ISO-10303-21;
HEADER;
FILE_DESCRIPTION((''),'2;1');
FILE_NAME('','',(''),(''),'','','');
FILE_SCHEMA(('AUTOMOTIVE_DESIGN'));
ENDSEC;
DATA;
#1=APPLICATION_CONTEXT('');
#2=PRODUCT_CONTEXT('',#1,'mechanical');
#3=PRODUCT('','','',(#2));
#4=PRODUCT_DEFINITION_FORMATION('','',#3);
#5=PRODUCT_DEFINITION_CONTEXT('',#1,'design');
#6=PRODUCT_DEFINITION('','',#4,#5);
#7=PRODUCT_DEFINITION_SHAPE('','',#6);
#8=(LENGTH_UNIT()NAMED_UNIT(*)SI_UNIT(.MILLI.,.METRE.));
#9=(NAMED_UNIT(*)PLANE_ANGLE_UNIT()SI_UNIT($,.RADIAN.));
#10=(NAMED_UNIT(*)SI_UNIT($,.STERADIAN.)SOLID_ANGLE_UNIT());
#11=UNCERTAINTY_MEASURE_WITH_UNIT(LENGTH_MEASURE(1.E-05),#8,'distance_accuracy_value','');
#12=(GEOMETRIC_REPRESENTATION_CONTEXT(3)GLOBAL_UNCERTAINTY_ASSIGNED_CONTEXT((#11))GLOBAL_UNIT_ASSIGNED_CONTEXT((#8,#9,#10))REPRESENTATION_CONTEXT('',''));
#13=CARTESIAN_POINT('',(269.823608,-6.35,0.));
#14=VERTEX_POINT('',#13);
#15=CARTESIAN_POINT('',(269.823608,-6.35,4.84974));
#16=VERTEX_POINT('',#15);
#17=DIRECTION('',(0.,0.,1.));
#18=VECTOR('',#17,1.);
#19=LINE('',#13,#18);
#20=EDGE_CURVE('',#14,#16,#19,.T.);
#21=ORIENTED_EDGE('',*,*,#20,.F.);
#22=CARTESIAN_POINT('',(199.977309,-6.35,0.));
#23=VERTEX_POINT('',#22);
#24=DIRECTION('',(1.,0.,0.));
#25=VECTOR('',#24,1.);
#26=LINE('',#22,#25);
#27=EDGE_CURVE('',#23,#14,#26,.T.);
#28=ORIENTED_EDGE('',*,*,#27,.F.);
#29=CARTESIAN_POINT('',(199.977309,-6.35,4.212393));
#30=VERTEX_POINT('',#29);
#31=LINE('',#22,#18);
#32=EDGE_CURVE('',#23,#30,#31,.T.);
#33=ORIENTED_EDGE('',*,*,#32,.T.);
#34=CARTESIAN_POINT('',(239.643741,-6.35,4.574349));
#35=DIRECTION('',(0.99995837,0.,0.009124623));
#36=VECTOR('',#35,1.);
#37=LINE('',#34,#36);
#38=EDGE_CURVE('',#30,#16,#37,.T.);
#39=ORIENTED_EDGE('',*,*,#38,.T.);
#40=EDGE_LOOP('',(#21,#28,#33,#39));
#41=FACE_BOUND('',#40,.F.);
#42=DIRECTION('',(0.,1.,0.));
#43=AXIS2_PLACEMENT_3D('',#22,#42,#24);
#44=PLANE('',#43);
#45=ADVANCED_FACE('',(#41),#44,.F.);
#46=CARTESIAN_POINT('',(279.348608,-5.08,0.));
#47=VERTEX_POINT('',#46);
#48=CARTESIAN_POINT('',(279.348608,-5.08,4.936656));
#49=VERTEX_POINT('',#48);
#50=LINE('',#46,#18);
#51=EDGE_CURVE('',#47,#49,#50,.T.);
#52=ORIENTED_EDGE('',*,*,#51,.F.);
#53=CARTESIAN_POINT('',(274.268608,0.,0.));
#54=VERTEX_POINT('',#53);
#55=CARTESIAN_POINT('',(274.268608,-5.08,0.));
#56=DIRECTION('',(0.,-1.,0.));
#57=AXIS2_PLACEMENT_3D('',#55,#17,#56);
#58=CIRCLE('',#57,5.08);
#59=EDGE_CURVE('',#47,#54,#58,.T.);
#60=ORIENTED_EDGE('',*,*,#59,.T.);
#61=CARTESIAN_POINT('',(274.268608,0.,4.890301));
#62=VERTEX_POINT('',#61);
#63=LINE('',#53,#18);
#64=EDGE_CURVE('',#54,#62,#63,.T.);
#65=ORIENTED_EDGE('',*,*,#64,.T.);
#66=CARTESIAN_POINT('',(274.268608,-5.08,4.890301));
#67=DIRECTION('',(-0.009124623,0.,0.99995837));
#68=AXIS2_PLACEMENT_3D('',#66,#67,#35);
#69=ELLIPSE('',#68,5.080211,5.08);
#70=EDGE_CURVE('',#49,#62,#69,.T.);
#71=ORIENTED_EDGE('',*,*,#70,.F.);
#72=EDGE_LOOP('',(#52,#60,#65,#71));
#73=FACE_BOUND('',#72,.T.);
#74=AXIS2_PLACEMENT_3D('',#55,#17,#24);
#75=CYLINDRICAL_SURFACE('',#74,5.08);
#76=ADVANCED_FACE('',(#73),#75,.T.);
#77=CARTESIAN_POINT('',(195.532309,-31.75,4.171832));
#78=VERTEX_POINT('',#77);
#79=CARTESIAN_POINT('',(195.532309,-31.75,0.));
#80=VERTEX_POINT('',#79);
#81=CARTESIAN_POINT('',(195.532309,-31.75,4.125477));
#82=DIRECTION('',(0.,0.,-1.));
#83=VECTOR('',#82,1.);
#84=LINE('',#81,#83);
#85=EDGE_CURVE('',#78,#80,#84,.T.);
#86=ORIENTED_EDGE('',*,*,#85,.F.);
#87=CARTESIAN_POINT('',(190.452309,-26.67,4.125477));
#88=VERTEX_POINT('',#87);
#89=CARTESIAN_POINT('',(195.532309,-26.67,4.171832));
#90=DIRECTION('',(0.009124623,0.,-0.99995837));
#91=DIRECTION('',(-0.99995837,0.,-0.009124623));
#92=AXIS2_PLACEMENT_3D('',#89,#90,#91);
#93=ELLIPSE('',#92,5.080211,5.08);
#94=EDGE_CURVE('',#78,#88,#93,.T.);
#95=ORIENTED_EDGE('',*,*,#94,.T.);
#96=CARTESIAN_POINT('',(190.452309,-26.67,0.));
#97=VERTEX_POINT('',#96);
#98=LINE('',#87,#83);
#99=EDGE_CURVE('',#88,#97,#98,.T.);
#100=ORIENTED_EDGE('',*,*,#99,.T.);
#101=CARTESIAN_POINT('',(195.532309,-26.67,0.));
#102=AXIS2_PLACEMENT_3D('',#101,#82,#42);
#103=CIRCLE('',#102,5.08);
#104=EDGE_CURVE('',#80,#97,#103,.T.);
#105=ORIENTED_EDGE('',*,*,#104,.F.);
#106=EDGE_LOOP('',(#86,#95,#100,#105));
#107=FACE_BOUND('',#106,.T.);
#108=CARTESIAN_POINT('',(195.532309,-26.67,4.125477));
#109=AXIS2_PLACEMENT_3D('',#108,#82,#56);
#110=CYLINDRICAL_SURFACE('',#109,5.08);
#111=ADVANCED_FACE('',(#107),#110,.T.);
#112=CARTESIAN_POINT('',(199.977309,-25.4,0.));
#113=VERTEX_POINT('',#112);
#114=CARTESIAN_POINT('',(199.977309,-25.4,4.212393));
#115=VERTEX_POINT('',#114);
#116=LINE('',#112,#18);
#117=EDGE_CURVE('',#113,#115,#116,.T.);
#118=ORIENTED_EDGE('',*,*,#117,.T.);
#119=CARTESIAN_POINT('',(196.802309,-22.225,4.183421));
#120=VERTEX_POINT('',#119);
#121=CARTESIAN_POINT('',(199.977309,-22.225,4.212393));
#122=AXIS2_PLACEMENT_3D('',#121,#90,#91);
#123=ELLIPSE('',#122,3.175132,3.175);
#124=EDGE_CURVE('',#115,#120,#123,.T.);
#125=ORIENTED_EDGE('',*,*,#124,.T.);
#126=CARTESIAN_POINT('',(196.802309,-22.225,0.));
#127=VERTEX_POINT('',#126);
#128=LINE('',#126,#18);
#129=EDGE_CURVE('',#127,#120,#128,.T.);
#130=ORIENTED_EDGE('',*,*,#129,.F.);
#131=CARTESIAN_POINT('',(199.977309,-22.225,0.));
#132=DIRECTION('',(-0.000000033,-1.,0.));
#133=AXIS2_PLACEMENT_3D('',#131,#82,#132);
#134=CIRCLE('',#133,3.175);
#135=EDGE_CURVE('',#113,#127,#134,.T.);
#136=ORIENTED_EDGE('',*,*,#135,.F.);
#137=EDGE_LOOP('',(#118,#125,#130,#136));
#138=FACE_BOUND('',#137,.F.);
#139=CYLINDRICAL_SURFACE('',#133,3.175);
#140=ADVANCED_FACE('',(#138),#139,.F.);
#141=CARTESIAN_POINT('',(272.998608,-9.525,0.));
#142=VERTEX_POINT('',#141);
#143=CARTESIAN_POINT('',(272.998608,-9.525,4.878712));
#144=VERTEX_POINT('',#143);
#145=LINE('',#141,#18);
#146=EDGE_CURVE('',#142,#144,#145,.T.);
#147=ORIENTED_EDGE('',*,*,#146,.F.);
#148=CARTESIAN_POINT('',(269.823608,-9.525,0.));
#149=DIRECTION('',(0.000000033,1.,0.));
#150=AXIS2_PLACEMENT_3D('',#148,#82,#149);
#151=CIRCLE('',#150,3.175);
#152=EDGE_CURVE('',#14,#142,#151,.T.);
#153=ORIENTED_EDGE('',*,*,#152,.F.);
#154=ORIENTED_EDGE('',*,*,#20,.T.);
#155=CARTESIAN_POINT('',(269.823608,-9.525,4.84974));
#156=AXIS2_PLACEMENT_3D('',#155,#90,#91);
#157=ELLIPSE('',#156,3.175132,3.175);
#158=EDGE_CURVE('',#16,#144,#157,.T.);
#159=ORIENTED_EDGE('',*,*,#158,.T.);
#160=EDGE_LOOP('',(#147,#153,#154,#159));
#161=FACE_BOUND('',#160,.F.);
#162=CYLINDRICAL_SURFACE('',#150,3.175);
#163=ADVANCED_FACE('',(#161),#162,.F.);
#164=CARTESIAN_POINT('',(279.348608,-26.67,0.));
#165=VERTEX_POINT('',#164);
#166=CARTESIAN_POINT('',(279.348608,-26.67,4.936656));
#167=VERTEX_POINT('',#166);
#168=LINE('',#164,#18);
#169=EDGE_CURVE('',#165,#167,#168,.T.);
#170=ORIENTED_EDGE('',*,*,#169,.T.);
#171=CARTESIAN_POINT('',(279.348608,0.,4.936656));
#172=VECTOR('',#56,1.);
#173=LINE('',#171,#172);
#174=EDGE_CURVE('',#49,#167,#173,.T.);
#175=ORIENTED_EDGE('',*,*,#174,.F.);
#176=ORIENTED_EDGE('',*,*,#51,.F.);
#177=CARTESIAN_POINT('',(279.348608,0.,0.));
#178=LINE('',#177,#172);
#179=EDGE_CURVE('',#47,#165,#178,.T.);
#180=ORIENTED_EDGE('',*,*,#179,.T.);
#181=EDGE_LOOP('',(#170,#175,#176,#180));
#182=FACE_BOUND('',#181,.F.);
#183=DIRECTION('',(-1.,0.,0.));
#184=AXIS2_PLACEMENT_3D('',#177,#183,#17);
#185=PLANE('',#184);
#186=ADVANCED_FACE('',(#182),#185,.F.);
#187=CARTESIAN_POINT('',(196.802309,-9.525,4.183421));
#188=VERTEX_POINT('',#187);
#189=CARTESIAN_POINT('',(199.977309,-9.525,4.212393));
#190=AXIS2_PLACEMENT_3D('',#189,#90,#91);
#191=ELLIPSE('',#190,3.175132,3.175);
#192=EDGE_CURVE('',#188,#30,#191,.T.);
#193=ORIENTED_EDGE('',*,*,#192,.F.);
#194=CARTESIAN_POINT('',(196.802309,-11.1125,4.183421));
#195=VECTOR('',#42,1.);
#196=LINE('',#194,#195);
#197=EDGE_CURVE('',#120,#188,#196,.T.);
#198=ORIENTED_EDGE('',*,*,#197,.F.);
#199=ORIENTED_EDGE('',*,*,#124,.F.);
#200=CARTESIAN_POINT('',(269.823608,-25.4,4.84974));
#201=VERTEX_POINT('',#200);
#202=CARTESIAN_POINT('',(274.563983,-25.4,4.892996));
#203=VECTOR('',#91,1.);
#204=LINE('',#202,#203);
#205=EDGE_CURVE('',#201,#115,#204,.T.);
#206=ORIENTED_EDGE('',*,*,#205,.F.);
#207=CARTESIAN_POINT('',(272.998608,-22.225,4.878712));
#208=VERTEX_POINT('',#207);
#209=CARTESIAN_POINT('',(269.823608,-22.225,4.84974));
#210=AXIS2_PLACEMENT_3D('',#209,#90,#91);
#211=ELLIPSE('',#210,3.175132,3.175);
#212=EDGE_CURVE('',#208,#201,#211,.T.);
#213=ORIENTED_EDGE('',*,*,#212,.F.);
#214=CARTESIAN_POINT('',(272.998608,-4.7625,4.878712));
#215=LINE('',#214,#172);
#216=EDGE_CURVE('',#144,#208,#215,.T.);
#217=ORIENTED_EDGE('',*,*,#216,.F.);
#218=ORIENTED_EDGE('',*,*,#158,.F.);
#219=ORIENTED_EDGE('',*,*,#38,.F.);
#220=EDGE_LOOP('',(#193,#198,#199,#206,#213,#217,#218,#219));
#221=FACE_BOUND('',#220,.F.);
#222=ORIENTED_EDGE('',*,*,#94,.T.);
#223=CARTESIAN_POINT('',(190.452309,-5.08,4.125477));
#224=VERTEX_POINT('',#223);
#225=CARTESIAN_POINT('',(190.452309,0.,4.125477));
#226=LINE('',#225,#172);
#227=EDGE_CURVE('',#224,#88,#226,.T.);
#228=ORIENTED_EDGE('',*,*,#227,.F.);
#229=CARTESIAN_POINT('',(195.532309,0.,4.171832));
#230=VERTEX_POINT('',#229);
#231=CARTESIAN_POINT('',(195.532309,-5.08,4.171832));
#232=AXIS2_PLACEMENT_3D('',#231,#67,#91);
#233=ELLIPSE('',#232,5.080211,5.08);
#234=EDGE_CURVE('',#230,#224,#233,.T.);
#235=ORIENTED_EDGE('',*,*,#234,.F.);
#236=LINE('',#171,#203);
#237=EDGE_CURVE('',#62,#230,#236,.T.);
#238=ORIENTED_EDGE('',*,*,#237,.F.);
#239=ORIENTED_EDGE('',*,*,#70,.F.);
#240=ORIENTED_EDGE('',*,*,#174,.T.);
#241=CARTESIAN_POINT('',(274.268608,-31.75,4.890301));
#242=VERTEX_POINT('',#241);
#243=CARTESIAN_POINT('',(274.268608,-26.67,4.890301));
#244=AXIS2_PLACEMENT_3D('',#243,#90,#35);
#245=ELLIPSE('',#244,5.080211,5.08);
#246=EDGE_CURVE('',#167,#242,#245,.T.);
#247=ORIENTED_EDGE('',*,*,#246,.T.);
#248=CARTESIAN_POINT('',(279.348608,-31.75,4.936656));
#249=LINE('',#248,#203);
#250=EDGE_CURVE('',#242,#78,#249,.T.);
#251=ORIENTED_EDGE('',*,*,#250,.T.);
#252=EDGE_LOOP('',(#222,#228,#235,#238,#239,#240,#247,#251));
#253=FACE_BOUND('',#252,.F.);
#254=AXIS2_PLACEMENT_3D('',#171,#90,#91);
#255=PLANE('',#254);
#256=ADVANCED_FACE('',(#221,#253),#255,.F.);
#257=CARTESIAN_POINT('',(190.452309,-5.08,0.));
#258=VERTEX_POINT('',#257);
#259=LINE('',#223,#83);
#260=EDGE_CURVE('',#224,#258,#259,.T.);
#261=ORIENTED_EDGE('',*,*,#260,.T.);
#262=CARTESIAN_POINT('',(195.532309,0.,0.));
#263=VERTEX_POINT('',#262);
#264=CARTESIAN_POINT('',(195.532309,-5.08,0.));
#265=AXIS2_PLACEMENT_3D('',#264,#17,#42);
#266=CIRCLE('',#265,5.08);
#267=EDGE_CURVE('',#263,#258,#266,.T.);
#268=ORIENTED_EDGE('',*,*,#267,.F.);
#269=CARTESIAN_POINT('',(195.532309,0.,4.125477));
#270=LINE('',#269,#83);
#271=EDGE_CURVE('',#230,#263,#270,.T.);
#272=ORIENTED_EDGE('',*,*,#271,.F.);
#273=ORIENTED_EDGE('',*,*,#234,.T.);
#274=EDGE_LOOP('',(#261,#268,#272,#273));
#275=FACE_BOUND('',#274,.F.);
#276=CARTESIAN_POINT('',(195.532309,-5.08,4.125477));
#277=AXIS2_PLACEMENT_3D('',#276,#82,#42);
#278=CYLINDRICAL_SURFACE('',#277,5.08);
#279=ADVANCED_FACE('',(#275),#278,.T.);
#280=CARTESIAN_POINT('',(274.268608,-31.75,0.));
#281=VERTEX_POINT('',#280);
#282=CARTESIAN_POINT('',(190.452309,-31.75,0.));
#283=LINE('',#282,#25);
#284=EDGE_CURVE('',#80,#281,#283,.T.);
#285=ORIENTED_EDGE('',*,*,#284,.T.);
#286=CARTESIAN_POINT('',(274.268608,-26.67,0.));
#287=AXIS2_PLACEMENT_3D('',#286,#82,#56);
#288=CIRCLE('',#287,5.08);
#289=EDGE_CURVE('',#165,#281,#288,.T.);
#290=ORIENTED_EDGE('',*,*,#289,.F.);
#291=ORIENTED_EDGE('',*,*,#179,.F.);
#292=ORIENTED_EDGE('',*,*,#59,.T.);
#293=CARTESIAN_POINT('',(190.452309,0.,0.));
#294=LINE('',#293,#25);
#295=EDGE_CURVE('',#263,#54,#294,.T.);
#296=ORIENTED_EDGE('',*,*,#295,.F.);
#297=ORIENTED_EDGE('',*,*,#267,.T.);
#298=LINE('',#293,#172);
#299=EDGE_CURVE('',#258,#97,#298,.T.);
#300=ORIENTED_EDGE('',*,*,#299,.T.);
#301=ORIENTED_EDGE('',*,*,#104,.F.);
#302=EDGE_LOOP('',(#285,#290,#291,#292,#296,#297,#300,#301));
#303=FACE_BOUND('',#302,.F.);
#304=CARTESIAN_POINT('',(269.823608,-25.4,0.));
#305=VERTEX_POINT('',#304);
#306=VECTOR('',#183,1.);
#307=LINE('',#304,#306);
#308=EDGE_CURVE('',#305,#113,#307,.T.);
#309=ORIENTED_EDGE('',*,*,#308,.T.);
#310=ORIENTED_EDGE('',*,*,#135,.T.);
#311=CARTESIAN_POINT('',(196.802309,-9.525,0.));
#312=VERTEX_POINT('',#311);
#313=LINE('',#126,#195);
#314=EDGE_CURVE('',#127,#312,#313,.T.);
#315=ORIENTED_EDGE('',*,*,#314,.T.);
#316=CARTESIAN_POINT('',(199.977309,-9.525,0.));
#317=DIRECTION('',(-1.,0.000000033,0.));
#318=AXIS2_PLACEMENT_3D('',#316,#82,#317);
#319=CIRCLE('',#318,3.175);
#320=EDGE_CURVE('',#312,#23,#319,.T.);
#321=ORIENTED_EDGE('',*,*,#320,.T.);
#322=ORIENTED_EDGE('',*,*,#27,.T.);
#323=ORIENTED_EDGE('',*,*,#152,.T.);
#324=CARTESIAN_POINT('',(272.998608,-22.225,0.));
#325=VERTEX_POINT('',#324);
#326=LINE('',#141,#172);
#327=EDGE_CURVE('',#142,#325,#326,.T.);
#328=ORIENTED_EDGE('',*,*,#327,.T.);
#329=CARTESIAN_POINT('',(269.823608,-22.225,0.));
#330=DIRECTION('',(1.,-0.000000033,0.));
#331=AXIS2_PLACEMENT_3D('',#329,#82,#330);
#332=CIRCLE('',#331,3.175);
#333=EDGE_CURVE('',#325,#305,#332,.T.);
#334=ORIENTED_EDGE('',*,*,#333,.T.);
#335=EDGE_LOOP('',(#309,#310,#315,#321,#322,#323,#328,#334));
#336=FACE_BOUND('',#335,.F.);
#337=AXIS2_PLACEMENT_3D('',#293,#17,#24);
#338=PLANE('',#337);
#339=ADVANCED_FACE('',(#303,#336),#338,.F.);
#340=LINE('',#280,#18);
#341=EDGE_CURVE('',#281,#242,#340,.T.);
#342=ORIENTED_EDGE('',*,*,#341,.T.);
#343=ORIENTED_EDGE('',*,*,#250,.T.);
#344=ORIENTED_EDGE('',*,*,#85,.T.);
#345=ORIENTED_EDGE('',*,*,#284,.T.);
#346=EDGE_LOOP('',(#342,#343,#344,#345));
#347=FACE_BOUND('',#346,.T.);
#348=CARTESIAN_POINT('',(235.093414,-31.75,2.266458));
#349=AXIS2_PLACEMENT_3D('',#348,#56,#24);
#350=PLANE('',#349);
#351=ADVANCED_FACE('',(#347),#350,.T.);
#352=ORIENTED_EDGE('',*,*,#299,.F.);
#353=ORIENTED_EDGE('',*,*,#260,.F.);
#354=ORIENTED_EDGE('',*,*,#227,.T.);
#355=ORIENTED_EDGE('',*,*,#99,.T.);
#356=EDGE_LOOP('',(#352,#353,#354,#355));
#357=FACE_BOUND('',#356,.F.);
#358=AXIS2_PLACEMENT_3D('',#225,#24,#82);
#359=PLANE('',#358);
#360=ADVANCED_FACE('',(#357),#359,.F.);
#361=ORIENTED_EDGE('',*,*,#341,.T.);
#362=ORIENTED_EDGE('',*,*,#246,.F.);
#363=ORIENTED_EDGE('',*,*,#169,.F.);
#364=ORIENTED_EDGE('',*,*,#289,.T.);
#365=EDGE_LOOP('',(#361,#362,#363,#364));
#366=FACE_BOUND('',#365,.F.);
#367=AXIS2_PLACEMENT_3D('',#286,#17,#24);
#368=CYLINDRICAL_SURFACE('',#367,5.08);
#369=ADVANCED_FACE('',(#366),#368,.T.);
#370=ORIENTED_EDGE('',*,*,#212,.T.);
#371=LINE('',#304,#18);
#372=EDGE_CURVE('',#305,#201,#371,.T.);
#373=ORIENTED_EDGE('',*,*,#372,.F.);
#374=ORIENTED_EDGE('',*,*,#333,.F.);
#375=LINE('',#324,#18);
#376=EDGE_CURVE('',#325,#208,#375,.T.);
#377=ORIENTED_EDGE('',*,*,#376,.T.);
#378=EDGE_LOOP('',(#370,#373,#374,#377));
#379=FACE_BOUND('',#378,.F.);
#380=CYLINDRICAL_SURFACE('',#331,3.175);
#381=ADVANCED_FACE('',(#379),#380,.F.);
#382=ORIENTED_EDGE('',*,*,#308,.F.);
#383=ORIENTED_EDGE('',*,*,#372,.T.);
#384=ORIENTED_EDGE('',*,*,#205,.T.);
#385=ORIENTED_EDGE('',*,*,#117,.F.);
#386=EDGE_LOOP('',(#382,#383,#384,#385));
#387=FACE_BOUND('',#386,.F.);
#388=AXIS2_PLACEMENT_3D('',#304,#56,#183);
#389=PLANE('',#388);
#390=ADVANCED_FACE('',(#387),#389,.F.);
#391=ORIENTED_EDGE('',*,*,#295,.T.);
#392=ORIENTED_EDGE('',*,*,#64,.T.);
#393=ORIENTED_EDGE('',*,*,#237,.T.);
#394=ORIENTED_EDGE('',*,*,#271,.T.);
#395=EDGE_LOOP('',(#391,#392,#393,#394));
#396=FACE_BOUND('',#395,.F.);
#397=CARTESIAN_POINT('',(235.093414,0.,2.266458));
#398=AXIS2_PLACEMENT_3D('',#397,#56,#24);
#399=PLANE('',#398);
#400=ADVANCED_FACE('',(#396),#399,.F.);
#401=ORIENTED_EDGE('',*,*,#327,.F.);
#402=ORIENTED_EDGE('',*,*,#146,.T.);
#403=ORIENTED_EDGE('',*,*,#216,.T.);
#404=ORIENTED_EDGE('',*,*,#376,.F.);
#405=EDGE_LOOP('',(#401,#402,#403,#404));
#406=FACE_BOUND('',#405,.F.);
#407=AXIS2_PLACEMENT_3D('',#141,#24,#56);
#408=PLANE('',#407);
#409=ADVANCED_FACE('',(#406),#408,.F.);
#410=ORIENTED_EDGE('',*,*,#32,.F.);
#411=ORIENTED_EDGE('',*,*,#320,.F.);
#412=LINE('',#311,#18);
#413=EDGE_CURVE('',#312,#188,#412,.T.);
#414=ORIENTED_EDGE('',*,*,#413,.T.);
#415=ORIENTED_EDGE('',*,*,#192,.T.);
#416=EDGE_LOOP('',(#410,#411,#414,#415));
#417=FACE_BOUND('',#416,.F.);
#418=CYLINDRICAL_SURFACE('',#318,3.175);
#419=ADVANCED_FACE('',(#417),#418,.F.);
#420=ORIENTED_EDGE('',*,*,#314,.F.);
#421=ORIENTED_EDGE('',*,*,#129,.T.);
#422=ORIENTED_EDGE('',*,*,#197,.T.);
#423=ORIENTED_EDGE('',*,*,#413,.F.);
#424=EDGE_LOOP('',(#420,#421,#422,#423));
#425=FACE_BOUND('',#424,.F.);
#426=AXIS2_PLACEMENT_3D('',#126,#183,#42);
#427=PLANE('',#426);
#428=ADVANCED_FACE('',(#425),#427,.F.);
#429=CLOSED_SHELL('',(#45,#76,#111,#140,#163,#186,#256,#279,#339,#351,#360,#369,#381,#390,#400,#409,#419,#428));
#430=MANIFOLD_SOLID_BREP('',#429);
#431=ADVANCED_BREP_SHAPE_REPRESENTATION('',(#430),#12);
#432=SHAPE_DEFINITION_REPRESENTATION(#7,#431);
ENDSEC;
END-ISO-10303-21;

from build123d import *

# Parameters (mm, degrees)
F4_DEPTH = 31.75
F6_DEPTH = 4.937656
F7_R     = 5.08


with BuildPart() as f4:
    # F3 (on face) → F4 (new body)
    with BuildSketch(Plane.XZ):
        Polygon((279.348608, 0), (279.348608, 4.936656), (190.452309, 4.125477), (190.452309, 0), align=None)
    extrude(amount=F4_DEPTH)

    # F5 (on face) → F6 (cut, through all)
    with BuildSketch(Plane(origin=(0, 0, 0), x_dir=(1, 0, 0), z_dir=(0, 0, -1))):
        with BuildLine():
            Line((269.823608, 25.4), (199.977309, 25.4))
            ThreePointArc((199.977309, 25.4), (197.732245, 24.470064), (196.802309, 22.225))
            Line((196.802309, 22.225), (196.802309, 9.525))
            ThreePointArc((196.802309, 9.525), (197.732245, 7.279936), (199.977309, 6.35))
            Line((199.977309, 6.35), (269.823608, 6.35))
            ThreePointArc((269.823608, 6.35), (272.068672, 7.279936), (272.998608, 9.525))
            Line((272.998608, 9.525), (272.998608, 22.225))
            ThreePointArc((272.998608, 22.225), (272.068672, 24.470064), (269.823608, 25.4))
        make_face()
    extrude(amount=-F6_DEPTH, mode=Mode.SUBTRACT)

    # F7
    f7_edges = [f4.edges().sort_by_distance(p)[0] for p in [
        (279.348608, -31.75, 2.468328),
        (190.452309, -31.75, 2.062739),
        (190.452309, 0, 2.062739),
        (279.348608, 0, 2.468328),
    ]]
    fillet(f7_edges, radius=F7_R)


solid = f4.part
